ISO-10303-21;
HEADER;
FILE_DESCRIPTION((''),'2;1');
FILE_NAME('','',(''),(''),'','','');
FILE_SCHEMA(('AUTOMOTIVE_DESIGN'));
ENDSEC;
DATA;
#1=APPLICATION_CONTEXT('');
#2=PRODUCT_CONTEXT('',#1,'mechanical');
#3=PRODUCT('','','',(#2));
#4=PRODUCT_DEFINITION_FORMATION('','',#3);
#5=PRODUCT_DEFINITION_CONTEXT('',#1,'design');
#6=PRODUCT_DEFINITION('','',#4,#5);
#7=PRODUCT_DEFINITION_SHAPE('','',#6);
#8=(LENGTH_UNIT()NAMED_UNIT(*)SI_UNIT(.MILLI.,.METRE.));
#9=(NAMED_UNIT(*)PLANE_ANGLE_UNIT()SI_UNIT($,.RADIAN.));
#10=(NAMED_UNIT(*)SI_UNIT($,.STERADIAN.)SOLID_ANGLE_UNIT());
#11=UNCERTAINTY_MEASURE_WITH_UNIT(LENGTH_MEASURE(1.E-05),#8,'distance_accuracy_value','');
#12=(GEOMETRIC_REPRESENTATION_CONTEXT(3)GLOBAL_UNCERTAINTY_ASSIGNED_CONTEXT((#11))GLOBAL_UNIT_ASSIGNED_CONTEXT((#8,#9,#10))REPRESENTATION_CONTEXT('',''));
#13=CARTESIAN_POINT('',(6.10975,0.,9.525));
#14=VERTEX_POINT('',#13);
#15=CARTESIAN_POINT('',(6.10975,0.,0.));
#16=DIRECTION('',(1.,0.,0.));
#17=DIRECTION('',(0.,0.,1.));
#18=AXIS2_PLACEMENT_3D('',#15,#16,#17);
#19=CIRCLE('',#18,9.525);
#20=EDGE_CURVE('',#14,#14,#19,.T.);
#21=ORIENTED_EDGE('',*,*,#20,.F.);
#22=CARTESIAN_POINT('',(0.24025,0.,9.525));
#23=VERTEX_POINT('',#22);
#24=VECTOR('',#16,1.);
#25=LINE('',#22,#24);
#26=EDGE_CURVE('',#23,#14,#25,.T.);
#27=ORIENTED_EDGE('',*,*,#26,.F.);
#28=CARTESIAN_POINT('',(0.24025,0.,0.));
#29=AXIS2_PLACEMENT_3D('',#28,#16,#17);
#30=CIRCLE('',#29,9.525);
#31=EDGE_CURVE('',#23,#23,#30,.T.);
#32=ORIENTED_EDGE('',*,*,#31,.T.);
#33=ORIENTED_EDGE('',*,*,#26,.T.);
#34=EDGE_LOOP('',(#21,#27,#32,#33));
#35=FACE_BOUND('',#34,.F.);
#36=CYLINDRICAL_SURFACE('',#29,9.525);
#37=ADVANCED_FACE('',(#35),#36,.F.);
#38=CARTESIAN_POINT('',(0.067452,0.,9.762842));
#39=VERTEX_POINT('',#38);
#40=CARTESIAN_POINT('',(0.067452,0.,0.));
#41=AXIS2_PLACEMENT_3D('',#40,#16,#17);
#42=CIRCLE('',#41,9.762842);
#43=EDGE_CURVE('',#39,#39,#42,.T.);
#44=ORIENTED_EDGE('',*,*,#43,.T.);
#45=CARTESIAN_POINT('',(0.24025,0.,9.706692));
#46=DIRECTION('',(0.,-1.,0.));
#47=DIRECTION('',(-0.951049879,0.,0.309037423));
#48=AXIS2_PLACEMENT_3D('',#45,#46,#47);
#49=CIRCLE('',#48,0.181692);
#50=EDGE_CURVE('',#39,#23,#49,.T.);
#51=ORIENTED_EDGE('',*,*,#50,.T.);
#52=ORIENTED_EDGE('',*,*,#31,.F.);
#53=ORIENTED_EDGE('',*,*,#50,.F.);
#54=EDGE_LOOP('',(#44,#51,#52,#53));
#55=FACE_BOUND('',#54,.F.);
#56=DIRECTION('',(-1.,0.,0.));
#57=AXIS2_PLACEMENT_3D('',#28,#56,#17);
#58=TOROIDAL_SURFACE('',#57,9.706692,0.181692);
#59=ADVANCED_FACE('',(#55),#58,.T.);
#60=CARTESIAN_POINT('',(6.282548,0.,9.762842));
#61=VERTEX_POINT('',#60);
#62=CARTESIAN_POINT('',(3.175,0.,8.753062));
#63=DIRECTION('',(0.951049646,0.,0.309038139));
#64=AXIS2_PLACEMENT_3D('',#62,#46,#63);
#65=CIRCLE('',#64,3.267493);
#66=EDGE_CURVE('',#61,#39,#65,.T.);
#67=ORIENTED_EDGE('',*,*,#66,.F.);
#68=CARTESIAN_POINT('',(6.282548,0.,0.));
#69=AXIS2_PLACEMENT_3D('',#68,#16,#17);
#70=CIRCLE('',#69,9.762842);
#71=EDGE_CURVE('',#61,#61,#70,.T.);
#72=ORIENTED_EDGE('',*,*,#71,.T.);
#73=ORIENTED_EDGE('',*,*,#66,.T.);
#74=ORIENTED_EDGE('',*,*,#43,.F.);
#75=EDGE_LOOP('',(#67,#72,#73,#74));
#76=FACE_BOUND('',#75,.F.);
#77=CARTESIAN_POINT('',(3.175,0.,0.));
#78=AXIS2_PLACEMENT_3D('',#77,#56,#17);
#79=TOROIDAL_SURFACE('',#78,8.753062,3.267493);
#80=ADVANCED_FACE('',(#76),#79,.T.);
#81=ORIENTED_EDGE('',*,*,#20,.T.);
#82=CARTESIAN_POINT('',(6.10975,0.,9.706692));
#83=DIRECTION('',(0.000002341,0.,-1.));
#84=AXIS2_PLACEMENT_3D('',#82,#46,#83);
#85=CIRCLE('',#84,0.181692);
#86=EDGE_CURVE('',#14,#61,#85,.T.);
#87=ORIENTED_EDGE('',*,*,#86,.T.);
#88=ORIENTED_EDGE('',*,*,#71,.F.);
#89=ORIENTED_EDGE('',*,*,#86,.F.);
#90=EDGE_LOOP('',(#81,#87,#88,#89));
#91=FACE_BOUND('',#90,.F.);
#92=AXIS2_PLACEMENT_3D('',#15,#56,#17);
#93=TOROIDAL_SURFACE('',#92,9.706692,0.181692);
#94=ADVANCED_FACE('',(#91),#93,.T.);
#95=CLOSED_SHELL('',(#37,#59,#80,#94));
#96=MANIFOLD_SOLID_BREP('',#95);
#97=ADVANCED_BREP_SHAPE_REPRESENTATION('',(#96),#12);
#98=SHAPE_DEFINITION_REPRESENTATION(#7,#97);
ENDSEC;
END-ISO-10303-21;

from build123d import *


with BuildPart() as f1:
    # F0 (on Front) → F1 (revolve)
    with BuildSketch(Plane.XZ):
        with BuildLine():
            ThreePointArc((0.067452, 9.762842), (0.093257, 9.599898), (0.24025, 9.525))
            Line((0.24025, 9.525), (6.10975, 9.525))
            ThreePointArc((6.10975, 9.525), (6.256743, 9.599898), (6.282548, 9.762842))
            ThreePointArc((6.282548, 9.762842), (3.175, 12.020555), (0.067452, 9.762842))
        make_face()
    revolve(axis=Axis((2.051666, 0, 0), (1, 0, 0)))


solid = f1.part
